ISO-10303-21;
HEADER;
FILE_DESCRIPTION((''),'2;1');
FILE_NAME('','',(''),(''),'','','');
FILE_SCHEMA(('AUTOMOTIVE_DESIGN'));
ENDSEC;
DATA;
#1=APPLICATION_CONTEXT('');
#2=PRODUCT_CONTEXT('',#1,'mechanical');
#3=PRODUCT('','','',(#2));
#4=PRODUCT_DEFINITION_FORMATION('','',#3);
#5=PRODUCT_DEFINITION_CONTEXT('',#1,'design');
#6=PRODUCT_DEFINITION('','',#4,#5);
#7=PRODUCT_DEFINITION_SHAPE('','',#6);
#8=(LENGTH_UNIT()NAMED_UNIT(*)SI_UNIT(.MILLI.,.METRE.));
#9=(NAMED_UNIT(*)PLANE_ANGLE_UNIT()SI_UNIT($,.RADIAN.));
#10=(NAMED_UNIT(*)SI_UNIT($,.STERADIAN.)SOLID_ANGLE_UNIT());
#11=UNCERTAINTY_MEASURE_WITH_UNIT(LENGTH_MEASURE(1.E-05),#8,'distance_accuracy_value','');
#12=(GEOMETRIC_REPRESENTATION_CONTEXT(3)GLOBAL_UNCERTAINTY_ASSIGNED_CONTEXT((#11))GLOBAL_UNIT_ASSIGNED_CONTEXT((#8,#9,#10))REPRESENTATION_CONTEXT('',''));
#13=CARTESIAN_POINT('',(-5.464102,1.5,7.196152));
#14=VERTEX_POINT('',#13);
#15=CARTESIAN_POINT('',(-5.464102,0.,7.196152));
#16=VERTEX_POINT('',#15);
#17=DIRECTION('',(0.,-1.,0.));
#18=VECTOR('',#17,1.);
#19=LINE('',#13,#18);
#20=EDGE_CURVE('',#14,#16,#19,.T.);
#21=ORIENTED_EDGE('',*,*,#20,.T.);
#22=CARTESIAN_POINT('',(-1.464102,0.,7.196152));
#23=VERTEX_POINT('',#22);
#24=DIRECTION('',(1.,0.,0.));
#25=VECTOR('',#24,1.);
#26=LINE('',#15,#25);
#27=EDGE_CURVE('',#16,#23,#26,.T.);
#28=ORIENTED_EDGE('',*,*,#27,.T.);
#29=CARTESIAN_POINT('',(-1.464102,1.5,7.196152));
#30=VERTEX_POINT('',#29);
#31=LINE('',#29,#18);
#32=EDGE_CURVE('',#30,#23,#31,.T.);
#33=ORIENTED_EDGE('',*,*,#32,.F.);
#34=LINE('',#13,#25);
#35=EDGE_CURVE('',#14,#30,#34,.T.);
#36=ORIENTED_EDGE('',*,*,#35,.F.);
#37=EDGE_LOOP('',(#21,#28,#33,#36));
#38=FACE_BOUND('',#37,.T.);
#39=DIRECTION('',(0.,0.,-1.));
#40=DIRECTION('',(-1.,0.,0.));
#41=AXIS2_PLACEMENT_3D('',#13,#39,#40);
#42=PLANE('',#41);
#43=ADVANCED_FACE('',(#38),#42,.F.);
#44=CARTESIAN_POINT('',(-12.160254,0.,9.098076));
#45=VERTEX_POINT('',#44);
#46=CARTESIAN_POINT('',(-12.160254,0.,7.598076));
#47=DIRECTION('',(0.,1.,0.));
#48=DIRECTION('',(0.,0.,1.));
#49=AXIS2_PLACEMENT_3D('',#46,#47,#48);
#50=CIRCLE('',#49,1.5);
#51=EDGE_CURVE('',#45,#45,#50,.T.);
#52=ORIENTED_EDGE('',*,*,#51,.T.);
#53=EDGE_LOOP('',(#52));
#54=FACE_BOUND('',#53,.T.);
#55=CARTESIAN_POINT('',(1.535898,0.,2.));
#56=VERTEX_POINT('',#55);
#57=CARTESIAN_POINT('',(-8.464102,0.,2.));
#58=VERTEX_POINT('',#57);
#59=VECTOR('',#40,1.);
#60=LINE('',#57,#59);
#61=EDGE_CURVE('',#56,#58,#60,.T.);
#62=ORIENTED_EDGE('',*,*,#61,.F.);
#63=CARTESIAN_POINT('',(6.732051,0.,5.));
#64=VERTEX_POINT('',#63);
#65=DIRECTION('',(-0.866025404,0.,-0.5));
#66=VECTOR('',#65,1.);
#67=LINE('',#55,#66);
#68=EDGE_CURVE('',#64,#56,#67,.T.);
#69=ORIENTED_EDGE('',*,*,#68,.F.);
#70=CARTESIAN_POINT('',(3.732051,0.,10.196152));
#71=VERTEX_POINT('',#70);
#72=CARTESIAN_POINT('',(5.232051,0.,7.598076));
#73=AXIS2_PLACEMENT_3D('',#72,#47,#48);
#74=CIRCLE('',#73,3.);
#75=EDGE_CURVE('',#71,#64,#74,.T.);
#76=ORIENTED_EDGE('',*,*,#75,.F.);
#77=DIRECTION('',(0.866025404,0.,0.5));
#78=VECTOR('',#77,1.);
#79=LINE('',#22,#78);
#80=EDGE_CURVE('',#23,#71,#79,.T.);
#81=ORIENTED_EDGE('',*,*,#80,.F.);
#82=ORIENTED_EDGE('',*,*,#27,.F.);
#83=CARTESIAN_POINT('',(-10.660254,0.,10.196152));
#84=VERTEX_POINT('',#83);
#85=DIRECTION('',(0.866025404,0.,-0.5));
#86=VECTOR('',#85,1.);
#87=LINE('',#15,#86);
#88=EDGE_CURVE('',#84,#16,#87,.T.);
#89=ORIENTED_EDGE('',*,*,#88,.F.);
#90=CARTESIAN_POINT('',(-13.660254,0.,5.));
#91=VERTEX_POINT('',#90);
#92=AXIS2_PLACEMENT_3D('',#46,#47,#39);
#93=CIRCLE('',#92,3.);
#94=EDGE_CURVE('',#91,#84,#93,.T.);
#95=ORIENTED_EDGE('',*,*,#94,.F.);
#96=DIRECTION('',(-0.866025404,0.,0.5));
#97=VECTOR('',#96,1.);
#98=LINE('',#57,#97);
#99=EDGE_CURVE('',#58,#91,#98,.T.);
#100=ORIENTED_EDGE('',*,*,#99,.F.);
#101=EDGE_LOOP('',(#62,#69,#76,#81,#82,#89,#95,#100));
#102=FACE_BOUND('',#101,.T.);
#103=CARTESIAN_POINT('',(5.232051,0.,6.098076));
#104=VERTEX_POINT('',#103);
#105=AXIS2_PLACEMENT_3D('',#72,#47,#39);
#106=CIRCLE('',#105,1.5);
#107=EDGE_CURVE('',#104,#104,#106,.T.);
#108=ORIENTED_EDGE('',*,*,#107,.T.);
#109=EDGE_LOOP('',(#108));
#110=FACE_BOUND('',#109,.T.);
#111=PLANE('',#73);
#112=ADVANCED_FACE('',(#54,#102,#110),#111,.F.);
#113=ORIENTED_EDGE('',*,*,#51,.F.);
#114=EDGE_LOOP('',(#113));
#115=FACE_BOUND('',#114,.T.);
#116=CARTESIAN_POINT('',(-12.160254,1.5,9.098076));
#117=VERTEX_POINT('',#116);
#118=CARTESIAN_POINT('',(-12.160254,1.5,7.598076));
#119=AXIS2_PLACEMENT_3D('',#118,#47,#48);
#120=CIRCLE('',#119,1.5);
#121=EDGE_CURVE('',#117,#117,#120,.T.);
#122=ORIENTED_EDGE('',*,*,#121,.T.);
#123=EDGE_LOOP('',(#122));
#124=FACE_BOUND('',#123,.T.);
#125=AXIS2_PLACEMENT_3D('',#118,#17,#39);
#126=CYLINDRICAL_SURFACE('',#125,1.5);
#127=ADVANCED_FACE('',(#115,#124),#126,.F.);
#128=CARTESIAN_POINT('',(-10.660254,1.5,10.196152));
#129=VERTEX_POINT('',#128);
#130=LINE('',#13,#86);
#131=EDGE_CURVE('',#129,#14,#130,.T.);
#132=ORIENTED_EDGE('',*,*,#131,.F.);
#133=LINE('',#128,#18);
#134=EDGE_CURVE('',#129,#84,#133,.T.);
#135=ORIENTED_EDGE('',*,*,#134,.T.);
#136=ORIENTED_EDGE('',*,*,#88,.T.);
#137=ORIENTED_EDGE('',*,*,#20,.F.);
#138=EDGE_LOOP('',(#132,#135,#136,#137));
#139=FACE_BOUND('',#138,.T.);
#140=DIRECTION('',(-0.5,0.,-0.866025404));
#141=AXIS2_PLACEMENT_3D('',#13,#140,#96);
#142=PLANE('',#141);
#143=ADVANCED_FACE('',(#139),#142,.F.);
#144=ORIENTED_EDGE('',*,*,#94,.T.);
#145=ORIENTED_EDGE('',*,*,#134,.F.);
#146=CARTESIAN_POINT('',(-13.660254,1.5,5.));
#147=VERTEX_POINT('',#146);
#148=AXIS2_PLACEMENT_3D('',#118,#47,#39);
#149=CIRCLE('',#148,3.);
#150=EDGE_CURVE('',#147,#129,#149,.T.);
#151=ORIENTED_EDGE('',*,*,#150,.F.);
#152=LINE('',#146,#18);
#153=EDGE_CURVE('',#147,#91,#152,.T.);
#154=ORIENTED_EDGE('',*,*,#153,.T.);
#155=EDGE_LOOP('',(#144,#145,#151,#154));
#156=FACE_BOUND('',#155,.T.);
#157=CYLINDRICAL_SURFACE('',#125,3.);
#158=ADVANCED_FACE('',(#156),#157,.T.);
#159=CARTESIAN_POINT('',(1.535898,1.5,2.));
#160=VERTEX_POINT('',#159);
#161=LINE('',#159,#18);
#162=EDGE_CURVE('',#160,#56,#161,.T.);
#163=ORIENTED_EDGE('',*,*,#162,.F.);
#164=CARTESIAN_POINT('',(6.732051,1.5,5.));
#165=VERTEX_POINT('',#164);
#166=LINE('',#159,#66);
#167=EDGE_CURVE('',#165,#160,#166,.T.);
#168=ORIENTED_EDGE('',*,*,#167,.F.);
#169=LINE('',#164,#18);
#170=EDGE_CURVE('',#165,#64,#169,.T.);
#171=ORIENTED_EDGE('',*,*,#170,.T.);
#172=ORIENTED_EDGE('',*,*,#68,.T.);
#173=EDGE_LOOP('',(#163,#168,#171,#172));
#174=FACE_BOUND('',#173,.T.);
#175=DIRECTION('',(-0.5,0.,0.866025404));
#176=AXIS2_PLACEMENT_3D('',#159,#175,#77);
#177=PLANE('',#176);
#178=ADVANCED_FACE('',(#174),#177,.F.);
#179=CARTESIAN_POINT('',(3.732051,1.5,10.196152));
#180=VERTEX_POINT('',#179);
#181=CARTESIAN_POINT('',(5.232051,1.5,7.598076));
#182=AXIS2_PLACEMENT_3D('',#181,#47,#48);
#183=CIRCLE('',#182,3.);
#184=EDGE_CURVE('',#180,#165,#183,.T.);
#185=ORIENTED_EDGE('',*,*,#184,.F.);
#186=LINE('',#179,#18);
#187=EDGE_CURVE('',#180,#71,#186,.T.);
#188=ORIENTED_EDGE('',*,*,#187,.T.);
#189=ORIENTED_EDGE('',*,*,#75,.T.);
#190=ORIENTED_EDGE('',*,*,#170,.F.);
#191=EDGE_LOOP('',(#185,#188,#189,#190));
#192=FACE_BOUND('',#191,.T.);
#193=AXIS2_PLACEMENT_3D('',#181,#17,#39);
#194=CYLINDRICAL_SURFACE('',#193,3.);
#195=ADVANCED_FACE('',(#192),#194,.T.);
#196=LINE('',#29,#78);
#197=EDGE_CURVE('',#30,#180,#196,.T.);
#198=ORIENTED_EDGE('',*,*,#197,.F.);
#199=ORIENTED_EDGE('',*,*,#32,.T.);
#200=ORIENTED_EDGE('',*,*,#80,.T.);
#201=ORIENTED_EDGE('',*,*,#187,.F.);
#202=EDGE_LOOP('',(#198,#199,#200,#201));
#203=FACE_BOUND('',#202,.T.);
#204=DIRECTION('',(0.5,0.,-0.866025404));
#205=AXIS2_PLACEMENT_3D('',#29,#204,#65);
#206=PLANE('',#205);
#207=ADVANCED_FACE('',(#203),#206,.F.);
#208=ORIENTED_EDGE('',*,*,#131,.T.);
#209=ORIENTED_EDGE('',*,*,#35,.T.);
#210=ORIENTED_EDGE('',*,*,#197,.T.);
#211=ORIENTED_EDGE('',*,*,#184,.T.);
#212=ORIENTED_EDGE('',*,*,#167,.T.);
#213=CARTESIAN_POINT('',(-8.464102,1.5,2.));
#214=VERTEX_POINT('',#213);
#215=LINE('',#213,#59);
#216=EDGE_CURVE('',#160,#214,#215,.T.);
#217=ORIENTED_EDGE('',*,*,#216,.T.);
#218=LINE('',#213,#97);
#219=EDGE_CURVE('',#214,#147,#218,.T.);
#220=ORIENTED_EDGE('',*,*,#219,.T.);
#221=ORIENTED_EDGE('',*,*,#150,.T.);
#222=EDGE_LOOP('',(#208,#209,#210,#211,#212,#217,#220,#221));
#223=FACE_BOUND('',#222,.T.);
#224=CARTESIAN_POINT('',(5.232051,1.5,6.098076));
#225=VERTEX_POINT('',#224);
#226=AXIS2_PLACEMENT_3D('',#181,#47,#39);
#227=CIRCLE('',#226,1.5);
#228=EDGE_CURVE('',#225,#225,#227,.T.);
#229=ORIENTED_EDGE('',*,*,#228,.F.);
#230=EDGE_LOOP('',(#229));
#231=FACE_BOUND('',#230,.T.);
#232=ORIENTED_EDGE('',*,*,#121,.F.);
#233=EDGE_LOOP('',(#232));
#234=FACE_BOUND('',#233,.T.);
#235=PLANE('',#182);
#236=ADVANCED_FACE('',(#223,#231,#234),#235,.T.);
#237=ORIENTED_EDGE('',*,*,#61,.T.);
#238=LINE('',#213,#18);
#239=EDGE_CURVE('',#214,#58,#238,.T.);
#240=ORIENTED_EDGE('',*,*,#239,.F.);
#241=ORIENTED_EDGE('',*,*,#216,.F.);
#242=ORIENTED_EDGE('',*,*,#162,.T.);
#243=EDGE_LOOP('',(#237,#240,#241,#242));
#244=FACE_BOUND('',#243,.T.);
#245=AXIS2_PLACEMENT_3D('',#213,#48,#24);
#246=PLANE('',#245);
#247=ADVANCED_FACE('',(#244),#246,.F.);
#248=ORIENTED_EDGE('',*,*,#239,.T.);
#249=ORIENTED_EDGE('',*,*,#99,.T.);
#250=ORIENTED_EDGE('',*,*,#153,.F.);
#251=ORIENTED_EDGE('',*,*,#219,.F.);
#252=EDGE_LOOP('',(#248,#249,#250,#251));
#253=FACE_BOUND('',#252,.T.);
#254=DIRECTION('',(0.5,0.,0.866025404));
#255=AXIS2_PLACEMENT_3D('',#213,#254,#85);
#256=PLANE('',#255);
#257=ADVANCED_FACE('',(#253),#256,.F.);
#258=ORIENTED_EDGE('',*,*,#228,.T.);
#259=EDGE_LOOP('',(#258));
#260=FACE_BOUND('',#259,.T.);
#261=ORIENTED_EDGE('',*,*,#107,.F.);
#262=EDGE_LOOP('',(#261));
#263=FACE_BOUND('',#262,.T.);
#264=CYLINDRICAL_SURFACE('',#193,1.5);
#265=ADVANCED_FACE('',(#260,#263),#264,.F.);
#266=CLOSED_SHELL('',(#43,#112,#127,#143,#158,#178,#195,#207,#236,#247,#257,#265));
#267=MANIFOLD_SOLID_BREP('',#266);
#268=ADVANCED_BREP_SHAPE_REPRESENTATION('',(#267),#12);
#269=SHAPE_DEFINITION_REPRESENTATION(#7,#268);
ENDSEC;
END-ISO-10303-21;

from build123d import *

# Parameters (mm, degrees)
SKETCH1_R           = 1.5
BOSS_EXTRUDE1_DEPTH = 1.5


with BuildPart() as part:
    # Sketch1 → Boss-Extrude1 (new body)
    with BuildSketch(Plane(origin=(0, 0, 0), x_dir=(1, 0, 0), z_dir=(0, 1, 0))):
        with BuildLine():
            Line((-8.464101615, -2), (-13.660254038, -5))
            ThreePointArc((-13.660254038, -5), (-14.758330249, -9.098076211), (-10.660254038, -10.196152423))
            Line((-10.660254038, -10.196152423), (-5.464101615, -7.196152423))
            Line((-5.464101615, -7.196152423), (-1.464101615, -7.196152423))
            Line((-1.464101615, -7.196152423), (3.732050808, -10.196152423))
            ThreePointArc((3.732050808, -10.196152423), (7.830127019, -9.098076211), (6.732050808, -5))
            Line((6.732050808, -5), (1.535898385, -2))
            Line((1.535898385, -2), (-8.464101615, -2))
        make_face()
        with Locations(Location((-12.160254038, -7.598076211, 0), (0, 0, 270))):
            Circle(SKETCH1_R, mode=Mode.SUBTRACT)
        with Locations(Location((5.232050808, -7.598076211, 0), (0, 0, 90))):
            Circle(SKETCH1_R, mode=Mode.SUBTRACT)
    extrude(amount=BOSS_EXTRUDE1_DEPTH)


solid = part.part
